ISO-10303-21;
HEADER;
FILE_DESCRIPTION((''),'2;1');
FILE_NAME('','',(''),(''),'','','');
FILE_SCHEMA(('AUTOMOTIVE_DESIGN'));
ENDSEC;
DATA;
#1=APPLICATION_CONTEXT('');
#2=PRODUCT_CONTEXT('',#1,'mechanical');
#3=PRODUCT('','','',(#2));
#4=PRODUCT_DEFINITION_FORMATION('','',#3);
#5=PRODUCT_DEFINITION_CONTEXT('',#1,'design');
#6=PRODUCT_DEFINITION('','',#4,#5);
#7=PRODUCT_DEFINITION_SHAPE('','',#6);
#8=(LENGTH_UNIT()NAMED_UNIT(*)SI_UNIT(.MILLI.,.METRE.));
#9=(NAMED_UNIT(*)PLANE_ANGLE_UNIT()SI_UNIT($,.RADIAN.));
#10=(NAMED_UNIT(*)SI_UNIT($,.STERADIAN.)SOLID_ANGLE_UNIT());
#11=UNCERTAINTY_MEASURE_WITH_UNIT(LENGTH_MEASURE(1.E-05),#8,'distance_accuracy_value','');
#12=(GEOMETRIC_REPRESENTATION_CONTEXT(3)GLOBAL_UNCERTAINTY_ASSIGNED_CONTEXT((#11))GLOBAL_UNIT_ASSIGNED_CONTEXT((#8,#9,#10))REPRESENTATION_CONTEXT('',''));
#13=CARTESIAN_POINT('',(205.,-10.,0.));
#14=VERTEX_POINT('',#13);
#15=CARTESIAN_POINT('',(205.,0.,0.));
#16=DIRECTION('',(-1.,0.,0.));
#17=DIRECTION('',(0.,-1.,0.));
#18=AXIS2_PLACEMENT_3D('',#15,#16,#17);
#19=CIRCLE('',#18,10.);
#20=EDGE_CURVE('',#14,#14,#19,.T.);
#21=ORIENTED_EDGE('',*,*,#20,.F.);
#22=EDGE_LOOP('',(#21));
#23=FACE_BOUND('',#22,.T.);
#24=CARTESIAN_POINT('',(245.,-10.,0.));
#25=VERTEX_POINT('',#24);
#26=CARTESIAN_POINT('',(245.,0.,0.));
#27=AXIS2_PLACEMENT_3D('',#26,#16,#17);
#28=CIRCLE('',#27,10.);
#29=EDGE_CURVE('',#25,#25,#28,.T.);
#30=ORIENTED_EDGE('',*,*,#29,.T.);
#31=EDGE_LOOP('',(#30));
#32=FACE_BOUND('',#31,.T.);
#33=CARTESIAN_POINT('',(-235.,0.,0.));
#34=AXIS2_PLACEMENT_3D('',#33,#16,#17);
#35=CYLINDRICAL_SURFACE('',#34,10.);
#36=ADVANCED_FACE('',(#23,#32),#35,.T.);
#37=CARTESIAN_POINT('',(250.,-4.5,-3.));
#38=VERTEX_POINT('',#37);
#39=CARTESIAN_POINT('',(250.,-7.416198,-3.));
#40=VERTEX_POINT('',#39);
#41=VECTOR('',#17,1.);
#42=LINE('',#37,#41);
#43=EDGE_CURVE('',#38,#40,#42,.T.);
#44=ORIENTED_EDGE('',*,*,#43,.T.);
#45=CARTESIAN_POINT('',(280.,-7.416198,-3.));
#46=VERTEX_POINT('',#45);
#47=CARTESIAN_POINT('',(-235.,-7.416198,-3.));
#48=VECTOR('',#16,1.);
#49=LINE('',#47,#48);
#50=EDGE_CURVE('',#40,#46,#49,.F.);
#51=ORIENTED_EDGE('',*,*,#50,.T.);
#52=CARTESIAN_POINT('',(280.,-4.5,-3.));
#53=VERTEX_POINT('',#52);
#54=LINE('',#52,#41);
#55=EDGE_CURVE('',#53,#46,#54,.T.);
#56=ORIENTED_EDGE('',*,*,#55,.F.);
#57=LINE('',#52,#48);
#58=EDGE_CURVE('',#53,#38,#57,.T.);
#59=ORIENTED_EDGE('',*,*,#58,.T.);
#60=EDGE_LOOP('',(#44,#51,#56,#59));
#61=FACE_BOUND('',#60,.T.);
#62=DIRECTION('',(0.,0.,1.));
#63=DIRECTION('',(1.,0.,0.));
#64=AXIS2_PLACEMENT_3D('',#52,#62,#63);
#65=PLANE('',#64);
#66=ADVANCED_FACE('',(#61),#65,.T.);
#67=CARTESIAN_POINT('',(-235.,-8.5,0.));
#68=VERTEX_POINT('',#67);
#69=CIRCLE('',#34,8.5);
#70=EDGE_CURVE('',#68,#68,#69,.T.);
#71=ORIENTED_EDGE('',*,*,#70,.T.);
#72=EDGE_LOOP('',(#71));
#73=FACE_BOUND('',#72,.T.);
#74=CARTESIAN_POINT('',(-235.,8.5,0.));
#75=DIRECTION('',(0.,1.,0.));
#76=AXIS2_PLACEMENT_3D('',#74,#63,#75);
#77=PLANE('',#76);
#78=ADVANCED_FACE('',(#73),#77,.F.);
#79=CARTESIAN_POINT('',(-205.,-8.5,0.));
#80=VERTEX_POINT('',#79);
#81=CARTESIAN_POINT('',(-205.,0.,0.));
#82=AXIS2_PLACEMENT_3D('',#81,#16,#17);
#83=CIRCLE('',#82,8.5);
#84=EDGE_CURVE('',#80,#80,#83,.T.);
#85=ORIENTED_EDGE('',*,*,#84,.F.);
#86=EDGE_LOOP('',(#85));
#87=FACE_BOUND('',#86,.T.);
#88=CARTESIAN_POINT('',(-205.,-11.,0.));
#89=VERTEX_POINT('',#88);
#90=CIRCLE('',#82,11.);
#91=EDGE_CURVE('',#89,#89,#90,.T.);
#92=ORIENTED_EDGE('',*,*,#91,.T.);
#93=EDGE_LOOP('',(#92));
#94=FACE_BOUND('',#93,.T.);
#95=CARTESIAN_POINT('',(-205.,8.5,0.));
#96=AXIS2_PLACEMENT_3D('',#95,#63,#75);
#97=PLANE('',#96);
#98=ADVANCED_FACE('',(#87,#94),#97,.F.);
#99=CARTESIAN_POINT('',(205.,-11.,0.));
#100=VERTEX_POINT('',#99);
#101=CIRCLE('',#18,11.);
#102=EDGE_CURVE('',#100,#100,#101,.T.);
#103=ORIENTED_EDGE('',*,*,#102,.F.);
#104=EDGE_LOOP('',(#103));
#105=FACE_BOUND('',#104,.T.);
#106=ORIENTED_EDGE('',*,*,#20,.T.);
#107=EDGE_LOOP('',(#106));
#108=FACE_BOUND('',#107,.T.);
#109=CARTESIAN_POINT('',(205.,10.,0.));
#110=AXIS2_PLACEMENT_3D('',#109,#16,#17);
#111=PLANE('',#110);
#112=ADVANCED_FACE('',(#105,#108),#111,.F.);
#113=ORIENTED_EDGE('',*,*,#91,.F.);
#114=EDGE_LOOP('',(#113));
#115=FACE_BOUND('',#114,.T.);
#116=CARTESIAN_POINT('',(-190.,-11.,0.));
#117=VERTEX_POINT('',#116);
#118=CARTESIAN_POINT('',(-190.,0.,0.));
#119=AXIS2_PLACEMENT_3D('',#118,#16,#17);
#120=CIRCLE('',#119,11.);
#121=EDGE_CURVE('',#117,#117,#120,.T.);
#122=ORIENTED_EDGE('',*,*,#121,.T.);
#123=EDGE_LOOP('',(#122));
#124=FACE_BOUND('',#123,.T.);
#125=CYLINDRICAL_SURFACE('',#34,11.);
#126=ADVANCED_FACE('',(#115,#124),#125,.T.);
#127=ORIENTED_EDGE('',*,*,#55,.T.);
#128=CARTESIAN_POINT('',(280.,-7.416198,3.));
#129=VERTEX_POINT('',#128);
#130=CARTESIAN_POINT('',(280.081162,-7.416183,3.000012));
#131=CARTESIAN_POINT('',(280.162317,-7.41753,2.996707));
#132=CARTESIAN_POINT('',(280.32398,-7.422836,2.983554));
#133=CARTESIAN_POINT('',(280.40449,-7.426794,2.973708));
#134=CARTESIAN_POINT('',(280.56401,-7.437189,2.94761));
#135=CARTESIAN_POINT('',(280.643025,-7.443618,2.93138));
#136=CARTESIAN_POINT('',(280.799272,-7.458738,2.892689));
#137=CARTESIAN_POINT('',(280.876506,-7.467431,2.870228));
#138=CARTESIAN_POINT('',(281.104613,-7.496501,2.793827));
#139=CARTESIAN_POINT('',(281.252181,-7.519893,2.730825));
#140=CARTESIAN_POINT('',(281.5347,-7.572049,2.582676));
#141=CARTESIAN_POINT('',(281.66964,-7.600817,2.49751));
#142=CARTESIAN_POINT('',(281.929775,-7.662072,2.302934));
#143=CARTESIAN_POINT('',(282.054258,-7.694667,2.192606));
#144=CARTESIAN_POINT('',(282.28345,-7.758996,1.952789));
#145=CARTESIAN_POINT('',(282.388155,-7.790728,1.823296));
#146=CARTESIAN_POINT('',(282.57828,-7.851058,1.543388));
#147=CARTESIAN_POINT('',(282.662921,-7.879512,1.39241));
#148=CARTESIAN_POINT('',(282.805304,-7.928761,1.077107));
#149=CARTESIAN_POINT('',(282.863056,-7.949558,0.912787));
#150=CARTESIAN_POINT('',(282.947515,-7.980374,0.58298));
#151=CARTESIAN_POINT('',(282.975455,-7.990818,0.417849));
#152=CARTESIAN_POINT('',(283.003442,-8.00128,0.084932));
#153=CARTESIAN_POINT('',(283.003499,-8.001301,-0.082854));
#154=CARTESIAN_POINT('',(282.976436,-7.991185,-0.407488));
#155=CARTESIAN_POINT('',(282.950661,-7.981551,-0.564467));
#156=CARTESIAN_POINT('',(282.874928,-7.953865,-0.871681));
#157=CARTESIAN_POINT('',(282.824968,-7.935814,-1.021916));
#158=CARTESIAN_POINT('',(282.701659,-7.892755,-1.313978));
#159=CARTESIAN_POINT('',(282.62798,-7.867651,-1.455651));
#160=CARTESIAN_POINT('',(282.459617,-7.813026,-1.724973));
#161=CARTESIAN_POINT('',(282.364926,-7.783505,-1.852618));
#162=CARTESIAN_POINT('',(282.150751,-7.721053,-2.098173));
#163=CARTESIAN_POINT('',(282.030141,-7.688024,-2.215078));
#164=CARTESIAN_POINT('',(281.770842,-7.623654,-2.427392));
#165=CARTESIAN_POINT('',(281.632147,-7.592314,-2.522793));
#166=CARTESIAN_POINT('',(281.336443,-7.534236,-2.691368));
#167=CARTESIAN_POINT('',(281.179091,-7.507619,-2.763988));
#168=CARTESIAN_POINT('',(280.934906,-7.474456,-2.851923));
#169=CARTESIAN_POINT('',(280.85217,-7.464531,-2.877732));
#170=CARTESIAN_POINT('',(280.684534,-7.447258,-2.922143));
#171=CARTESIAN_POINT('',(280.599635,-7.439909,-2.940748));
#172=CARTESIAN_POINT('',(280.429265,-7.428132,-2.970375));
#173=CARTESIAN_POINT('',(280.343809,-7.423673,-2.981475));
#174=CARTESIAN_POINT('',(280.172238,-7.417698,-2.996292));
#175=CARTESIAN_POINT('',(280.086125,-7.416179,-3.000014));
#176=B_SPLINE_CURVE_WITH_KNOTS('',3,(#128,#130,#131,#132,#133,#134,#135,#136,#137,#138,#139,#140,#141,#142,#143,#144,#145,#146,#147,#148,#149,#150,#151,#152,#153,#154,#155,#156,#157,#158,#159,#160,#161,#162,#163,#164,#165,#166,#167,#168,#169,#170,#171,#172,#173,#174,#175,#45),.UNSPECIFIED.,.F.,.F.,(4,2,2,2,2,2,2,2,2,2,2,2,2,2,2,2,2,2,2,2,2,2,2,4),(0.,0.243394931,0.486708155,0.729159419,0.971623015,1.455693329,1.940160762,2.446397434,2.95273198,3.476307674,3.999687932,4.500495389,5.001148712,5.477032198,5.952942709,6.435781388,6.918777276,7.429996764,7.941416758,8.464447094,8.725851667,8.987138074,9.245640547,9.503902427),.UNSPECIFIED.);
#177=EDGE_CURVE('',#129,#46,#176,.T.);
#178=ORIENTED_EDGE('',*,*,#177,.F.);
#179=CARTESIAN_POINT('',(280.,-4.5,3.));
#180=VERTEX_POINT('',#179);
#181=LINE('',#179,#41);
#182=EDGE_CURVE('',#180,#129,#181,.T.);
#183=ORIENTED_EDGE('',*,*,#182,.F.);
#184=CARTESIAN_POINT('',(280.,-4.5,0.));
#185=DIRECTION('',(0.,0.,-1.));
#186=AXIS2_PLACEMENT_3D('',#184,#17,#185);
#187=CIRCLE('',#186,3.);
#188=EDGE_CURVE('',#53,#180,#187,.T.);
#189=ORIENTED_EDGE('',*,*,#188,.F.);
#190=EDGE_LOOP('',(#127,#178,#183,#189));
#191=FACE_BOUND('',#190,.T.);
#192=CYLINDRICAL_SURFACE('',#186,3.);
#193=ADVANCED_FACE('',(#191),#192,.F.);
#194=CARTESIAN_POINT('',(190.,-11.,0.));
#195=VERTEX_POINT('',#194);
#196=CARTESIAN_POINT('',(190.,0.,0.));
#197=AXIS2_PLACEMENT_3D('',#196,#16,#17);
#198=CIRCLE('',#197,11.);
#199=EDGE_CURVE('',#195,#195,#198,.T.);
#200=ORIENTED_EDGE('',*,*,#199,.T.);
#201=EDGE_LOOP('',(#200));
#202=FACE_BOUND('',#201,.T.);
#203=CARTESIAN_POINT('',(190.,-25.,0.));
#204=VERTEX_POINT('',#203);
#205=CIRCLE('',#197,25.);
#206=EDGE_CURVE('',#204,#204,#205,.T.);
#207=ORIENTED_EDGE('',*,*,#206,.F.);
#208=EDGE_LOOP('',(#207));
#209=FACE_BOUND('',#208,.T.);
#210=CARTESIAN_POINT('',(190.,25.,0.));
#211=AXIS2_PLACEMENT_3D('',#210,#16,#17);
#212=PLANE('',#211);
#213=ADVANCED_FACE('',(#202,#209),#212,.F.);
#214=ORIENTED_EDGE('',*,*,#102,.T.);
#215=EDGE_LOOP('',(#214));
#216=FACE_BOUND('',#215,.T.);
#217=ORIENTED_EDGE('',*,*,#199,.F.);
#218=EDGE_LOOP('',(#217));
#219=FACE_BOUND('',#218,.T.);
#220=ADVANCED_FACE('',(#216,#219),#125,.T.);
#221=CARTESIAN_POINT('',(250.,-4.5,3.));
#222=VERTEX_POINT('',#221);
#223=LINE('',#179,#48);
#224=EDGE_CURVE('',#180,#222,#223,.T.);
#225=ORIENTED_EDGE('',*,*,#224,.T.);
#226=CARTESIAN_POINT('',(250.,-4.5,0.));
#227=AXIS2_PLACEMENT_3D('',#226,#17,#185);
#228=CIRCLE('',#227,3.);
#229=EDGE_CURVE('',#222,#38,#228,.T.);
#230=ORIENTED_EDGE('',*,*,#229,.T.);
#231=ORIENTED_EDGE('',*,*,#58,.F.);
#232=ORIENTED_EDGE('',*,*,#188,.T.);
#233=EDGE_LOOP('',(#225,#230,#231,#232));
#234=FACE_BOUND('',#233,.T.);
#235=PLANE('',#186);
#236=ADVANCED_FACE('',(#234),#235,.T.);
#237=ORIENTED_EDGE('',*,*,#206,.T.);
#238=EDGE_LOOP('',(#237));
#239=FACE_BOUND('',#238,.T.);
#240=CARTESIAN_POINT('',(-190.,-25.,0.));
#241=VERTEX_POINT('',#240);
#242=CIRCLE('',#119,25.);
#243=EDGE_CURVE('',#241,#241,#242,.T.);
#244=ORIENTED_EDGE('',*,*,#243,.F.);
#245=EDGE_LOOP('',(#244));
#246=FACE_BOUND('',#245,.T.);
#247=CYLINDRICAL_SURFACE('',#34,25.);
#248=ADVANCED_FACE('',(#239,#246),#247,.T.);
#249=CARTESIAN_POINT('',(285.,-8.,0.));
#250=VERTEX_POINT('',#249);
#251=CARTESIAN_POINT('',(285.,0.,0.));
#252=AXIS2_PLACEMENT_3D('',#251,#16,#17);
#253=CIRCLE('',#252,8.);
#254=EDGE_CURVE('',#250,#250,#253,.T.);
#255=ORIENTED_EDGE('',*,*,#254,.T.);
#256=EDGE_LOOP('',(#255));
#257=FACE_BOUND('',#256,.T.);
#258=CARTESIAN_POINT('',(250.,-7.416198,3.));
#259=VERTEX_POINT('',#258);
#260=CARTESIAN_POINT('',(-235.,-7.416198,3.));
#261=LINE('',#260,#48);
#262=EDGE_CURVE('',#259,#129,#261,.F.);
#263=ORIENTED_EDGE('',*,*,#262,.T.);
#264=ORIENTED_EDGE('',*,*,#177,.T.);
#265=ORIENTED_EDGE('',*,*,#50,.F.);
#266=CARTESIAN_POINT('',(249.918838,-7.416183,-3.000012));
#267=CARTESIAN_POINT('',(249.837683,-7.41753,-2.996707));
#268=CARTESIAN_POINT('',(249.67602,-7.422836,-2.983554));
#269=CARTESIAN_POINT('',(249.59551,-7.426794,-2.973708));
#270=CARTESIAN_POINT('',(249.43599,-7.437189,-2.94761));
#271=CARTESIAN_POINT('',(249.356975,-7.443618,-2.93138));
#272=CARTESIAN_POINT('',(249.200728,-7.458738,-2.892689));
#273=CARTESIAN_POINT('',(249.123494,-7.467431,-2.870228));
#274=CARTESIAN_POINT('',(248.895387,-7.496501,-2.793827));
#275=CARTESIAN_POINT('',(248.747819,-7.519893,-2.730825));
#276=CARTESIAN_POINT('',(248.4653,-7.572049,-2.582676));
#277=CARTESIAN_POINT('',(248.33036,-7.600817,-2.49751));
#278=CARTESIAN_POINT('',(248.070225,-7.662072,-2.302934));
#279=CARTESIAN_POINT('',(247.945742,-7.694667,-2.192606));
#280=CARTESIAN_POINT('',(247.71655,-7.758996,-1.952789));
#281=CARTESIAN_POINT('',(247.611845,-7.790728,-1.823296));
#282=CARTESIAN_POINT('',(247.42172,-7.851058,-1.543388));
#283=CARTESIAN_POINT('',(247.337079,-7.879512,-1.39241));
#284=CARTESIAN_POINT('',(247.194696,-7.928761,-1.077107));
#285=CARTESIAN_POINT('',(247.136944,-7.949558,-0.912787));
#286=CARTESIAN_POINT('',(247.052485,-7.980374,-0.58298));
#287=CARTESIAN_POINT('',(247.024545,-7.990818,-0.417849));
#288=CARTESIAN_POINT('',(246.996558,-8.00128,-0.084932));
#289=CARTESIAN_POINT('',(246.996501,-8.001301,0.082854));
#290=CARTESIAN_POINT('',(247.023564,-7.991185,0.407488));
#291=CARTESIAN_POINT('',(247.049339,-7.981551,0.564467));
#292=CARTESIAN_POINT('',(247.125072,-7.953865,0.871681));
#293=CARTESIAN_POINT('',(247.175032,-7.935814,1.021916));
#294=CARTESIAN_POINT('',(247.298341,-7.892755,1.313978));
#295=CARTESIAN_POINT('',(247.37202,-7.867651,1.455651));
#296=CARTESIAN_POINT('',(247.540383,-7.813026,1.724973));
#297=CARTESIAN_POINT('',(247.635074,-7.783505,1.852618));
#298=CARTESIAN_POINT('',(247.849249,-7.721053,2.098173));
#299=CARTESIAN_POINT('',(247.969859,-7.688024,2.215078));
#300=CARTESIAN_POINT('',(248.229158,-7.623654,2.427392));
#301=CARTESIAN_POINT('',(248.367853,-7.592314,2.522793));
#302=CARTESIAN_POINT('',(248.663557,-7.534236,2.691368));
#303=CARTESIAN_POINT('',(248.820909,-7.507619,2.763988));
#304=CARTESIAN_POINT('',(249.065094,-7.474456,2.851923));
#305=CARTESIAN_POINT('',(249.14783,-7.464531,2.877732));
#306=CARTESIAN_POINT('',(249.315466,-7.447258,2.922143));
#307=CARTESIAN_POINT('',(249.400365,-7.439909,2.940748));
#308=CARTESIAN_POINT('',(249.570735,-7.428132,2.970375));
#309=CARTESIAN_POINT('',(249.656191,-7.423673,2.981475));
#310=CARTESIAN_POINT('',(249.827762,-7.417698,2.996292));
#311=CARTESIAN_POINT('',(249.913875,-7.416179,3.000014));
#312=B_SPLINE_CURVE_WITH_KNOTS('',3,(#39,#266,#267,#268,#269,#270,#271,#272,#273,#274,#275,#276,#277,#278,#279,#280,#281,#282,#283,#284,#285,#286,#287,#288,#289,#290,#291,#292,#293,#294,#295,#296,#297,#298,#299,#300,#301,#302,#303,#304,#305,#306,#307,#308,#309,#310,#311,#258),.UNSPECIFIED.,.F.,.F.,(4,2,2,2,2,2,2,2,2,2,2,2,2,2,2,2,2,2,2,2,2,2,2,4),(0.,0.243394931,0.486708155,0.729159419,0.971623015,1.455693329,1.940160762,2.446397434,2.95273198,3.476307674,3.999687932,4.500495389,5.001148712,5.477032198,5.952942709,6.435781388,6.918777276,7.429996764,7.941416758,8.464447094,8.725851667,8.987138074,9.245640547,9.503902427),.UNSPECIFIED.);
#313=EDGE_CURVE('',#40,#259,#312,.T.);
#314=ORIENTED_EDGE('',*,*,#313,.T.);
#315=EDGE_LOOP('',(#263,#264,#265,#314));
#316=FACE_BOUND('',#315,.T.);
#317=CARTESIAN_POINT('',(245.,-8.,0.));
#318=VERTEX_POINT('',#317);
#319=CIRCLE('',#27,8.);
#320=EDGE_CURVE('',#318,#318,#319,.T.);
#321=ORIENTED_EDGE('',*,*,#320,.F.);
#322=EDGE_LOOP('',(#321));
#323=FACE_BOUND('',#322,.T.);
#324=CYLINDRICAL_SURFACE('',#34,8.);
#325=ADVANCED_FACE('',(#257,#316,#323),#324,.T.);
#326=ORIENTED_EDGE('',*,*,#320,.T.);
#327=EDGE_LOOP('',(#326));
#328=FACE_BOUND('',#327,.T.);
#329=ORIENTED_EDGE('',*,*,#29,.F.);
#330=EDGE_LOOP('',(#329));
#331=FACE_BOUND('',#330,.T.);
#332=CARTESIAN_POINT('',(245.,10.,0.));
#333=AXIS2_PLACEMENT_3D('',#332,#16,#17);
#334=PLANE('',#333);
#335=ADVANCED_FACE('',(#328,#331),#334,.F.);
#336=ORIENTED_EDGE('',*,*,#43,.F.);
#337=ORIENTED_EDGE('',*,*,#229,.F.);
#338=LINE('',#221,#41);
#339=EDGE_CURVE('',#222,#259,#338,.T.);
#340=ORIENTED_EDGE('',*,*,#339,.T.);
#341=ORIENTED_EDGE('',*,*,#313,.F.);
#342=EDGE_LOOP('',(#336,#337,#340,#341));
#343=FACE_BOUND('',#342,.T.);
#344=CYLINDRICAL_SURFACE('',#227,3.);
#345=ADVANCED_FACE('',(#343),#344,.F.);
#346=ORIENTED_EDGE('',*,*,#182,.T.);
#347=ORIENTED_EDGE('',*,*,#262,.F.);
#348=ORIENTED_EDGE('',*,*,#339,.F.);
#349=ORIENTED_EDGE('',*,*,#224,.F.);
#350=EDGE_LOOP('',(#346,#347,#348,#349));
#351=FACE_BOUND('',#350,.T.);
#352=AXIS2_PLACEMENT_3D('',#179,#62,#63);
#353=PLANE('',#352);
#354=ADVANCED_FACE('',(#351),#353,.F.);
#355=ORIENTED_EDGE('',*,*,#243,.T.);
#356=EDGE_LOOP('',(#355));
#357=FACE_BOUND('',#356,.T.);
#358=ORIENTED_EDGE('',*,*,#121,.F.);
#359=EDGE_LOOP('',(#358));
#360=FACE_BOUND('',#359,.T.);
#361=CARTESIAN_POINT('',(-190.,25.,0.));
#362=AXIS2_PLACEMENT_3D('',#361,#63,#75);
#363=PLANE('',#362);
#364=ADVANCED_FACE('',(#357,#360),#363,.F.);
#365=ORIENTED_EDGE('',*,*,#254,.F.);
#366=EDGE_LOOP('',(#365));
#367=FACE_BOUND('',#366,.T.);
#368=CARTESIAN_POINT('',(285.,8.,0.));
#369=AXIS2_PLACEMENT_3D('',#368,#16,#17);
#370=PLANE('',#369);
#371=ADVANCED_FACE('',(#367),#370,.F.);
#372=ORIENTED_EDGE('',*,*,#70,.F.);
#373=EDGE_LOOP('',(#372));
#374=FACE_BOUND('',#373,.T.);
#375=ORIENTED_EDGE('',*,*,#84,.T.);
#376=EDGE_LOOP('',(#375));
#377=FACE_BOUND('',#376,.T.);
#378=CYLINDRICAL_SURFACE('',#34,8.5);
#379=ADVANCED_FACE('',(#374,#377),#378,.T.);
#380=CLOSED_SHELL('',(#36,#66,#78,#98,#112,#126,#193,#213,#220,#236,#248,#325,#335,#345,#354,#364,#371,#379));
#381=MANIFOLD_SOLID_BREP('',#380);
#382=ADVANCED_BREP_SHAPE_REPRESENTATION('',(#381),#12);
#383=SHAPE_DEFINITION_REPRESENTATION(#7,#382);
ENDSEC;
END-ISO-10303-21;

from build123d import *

# Parameters (mm, degrees)
CUT_EXTRUDE_1_DEPTH = 3.5


with BuildPart() as part:
    # 草图1 → 旋转1 (revolve)
    with BuildSketch(Plane.XY):
        Polygon((-190, 25), (190, 25), (190, 11), (205, 11), (205, 10), (245, 10), (245, 8), (285, 8), (285, 0), (-235, 0), (-235, 8.5), (-205, 8.5), (-205, 11), (-190, 11), align=None)
    revolve(axis=Axis((-235, 0, 0), (1, 0, 0)))

    # 草图3 → 切除-拉伸1 (cut)
    with BuildSketch(Plane(origin=(0, -8, 0), x_dir=(-1, 0, 0), z_dir=(0, -1, 0))):
        with BuildLine():
            Line((-280, 3), (-250, 3))
            ThreePointArc((-250, 3), (-247, 0), (-250, -3))
            Line((-250, -3), (-280, -3))
            ThreePointArc((-280, -3), (-283, 0), (-280, 3))
        make_face()
    extrude(amount=-CUT_EXTRUDE_1_DEPTH, mode=Mode.SUBTRACT)


solid = part.part
